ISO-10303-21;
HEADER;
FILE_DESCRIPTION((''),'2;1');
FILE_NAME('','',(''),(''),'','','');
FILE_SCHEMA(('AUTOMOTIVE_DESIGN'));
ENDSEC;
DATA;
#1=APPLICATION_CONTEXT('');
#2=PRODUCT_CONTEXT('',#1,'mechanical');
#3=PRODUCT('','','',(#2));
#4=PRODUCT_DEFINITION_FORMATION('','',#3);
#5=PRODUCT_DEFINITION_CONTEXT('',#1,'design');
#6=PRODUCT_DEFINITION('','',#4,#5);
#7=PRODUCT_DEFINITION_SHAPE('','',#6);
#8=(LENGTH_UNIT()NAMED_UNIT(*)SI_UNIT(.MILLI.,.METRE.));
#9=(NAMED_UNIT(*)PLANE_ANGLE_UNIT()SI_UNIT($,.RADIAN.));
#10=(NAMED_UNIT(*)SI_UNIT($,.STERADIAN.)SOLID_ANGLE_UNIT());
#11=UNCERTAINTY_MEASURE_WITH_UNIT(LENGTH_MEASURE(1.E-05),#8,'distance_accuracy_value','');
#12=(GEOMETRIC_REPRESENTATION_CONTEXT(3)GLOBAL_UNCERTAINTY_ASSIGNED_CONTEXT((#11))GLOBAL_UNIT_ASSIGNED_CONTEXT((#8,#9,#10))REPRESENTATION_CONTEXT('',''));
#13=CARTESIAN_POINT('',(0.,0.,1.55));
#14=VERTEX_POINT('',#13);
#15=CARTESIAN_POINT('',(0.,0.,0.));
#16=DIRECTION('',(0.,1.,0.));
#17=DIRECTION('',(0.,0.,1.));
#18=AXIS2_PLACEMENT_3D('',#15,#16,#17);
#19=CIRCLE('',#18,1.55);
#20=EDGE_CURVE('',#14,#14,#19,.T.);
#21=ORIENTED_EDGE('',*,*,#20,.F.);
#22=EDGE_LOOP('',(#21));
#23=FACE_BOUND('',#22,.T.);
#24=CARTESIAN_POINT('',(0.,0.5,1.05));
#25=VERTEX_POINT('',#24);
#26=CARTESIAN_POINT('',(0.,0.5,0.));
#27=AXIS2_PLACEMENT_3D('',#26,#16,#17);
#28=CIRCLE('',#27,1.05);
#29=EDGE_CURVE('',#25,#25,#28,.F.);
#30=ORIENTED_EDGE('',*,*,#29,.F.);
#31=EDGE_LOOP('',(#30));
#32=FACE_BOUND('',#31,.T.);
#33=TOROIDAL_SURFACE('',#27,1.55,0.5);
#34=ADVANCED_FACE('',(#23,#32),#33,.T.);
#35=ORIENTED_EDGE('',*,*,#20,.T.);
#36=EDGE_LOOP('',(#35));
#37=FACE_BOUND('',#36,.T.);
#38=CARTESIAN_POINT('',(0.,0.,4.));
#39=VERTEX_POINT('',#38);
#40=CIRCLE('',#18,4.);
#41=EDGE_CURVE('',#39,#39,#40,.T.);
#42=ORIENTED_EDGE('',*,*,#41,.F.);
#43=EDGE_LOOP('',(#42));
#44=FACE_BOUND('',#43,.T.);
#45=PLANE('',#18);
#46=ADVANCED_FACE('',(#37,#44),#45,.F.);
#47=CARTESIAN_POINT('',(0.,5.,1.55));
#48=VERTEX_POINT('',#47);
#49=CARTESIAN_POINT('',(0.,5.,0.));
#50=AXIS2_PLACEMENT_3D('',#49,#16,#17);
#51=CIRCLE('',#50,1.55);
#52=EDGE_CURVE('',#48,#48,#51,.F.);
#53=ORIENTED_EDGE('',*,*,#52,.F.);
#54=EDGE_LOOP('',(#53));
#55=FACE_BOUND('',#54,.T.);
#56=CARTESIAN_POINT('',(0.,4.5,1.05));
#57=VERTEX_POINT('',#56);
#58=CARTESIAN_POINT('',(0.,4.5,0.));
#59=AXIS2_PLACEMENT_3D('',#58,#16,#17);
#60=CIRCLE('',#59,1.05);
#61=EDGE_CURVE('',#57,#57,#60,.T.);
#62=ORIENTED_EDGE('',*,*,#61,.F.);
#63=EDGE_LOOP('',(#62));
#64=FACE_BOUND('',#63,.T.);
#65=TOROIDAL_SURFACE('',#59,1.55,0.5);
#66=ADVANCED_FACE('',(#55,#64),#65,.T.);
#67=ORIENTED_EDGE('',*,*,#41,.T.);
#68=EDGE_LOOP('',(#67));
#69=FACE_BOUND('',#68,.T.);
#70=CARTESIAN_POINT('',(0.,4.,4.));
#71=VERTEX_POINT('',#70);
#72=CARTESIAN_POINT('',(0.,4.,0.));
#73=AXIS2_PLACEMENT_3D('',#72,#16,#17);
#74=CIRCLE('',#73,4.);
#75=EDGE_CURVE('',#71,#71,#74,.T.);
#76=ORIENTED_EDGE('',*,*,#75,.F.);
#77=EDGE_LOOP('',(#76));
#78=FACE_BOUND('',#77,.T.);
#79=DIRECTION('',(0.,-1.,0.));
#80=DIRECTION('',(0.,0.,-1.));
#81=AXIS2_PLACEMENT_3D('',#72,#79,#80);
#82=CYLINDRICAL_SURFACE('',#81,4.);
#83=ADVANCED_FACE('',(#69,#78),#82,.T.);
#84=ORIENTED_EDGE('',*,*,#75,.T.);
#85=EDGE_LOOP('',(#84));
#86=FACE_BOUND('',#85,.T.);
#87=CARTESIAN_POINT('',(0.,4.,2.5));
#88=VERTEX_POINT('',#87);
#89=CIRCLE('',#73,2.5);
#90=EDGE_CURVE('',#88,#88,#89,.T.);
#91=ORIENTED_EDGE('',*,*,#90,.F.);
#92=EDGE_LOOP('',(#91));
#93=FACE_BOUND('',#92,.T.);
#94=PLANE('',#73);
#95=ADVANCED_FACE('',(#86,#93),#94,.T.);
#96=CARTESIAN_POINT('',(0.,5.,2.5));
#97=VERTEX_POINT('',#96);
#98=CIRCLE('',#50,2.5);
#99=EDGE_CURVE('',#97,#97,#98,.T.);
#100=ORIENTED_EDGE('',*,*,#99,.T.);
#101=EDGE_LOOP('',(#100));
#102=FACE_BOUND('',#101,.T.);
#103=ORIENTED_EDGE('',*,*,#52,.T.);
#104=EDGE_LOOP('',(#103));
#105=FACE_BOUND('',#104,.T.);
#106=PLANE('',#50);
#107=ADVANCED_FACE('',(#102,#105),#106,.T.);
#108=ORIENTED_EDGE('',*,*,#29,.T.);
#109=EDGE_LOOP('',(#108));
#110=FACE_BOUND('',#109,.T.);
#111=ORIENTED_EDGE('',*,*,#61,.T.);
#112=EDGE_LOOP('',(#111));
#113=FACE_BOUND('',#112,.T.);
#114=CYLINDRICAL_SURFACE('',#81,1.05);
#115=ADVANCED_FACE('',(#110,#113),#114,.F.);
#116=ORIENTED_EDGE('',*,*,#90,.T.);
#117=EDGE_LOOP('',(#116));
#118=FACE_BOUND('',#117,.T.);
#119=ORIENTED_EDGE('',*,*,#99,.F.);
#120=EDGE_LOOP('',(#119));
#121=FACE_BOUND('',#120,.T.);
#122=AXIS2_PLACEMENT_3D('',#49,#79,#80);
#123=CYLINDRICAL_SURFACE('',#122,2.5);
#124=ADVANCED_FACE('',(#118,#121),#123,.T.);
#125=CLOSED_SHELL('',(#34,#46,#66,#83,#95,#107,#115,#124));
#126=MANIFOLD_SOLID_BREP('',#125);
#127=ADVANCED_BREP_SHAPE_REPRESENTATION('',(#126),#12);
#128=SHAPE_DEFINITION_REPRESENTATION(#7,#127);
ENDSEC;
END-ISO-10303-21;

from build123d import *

# Parameters (mm, degrees)
SKETCH1_R           = 4
SKETCH1_R_2         = 1.05
BOSS_EXTRUDE1_DEPTH = 4
SKETCH2_R           = 2.5
BOSS_EXTRUDE2_DEPTH = 1
SKETCH1_2_R         = 1.05
CUT_EXTRUDE1_DEPTH  = 8.549834435
FILLET1_R           = 0.5


with BuildPart() as part:
    # Sketch1 → Boss-Extrude1 (new body)
    with BuildSketch(Plane(origin=(0, 0, 0), x_dir=(1, 0, 0), z_dir=(0, 1, 0))):
        Circle(SKETCH1_R)
        Circle(SKETCH1_R_2, mode=Mode.SUBTRACT)
    extrude(amount=BOSS_EXTRUDE1_DEPTH)

    # Sketch2 → Boss-Extrude2 (add)
    with BuildSketch(Plane(origin=(0, 4, 0), x_dir=(1, 0, 0), z_dir=(0, 1, 0))):
        Circle(SKETCH2_R)
    extrude(amount=BOSS_EXTRUDE2_DEPTH)

    # Sketch1<2> → Cut-Extrude1 (cut, through all)
    with BuildSketch(Plane(origin=(0, 0, 0), x_dir=(1, 0, 0), z_dir=(0, 1, 0))):
        Circle(SKETCH1_2_R)
    extrude(amount=CUT_EXTRUDE1_DEPTH, mode=Mode.SUBTRACT)

    # Fillet1
    fillet1_edges = [part.edges().sort_by_distance(p)[0] for p in [
        (-1.05, 0, 0),
        (-1.05, 5, 0),
    ]]
    fillet(fillet1_edges, radius=FILLET1_R)


solid = part.part
